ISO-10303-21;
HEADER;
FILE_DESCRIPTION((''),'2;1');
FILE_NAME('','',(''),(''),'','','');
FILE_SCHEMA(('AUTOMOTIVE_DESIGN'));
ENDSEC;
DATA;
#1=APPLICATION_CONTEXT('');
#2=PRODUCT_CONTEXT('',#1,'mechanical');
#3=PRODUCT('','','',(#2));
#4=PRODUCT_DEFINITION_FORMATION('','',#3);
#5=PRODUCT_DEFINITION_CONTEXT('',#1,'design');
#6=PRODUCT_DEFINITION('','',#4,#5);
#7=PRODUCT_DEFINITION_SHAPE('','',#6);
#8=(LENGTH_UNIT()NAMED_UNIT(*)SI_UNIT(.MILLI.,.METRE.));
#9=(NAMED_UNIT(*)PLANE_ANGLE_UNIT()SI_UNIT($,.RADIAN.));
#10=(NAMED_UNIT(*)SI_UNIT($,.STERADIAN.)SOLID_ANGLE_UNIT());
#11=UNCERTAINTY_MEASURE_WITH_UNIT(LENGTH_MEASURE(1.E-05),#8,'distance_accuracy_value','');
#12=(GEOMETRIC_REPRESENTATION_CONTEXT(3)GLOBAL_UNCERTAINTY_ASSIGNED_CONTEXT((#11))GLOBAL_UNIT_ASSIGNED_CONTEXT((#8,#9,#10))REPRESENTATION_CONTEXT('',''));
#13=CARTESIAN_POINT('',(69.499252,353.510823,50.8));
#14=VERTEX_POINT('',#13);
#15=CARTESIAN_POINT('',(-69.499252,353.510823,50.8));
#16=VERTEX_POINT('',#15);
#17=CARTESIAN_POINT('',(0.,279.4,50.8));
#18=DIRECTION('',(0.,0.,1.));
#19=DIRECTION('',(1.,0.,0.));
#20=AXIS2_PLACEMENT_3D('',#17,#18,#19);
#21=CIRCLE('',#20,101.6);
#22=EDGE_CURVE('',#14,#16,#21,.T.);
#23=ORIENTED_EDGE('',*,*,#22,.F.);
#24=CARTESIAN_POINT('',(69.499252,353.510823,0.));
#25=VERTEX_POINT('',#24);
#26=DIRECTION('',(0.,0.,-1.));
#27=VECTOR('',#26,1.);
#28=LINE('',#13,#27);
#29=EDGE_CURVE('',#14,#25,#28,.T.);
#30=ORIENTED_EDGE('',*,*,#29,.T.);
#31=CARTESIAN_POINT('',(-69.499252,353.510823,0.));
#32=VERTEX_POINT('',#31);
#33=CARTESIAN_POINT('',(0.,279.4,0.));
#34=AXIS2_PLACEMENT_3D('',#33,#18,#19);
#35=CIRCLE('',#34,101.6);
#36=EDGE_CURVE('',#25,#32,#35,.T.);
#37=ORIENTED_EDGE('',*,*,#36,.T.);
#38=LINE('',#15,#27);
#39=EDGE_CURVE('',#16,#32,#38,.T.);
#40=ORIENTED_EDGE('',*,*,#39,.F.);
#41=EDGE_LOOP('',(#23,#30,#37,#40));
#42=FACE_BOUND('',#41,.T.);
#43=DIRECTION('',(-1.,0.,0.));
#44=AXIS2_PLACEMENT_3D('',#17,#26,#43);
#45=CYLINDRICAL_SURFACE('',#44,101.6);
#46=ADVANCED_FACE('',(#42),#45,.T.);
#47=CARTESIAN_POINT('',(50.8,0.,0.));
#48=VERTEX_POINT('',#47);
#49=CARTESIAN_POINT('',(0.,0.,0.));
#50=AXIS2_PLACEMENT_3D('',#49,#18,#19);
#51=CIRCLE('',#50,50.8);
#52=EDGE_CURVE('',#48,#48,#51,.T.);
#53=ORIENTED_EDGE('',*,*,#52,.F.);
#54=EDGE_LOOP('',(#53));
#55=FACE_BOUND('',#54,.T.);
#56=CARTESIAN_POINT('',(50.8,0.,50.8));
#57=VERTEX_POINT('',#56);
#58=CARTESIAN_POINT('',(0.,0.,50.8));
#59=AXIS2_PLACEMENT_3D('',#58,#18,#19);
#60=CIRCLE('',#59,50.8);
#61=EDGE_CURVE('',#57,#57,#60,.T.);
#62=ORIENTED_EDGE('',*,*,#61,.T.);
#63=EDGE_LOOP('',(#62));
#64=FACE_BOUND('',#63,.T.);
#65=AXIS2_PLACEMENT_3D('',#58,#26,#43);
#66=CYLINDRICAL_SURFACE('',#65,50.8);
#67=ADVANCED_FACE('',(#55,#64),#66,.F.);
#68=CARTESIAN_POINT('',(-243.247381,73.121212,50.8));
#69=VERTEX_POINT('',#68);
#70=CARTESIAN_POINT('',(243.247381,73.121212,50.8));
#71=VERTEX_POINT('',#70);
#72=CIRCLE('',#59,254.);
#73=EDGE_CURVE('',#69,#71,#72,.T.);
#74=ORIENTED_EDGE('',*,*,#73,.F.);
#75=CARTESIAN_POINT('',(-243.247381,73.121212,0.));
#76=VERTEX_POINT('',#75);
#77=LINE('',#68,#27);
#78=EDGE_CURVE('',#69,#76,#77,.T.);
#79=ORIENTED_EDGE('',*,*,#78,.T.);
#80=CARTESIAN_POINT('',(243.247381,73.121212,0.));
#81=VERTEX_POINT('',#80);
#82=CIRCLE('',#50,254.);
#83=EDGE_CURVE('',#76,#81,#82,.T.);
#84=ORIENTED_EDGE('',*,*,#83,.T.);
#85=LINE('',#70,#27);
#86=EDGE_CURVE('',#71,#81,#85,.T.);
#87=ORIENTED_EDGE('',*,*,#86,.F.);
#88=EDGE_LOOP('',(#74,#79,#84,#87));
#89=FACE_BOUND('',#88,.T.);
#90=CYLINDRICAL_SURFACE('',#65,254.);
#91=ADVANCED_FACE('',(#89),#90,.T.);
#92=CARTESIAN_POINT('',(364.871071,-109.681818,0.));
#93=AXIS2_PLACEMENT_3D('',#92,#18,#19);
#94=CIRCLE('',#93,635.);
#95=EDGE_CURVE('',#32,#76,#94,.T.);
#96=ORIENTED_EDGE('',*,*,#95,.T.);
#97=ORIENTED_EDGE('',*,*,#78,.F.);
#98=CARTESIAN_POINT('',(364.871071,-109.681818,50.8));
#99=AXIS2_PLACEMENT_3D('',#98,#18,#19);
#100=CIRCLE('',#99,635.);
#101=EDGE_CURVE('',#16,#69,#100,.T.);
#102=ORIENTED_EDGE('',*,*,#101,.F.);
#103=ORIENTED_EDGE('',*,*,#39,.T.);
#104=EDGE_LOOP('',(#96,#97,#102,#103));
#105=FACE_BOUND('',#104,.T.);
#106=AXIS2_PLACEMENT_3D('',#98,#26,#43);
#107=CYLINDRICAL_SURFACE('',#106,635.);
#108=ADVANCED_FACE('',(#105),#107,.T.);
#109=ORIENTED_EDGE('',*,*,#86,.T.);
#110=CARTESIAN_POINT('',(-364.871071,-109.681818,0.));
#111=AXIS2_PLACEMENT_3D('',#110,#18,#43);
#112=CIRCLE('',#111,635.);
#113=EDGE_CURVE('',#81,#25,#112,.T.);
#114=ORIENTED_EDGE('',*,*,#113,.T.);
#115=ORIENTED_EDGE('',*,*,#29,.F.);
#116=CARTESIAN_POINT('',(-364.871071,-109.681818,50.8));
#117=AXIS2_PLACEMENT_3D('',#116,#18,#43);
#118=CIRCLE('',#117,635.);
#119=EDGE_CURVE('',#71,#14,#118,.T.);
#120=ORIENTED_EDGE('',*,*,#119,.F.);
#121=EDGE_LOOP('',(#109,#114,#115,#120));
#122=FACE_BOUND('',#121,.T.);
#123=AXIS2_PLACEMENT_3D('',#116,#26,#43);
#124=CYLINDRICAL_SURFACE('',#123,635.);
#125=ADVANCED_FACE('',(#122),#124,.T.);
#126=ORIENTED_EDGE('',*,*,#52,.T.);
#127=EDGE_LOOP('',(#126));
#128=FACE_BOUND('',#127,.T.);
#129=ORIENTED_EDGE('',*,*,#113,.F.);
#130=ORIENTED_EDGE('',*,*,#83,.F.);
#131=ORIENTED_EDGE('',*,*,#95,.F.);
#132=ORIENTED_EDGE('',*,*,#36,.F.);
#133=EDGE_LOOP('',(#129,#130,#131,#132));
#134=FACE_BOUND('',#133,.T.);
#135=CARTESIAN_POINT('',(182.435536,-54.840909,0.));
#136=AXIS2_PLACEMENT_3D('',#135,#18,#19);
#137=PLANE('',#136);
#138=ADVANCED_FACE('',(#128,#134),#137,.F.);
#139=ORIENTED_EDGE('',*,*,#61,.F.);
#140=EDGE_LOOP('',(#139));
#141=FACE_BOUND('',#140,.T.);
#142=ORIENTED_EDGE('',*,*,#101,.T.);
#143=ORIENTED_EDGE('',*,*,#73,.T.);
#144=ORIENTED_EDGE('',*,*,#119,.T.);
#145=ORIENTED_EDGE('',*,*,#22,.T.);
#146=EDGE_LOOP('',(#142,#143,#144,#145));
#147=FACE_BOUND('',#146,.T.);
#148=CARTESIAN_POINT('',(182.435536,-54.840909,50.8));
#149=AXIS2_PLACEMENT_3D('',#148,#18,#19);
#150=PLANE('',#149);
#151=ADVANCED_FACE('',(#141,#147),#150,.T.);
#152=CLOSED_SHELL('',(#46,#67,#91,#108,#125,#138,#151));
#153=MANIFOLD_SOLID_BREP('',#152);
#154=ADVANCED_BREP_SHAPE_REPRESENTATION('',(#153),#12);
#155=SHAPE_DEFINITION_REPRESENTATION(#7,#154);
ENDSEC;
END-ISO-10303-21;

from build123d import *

# Parameters (mm, degrees)
SKETCH1_R           = 50.8
BOSS_EXTRUDE1_DEPTH = 50.8


with BuildPart() as part:
    # Sketch1 → Boss-Extrude1 (new body)
    with BuildSketch(Plane.XY):
        with BuildLine():
            ThreePointArc((-243.247380948, 73.121212121), (0, -254), (243.247380948, 73.121212121))
            ThreePointArc((243.247380948, 73.121212121), (174.897670874, 224.794944599), (69.499251699, 353.510822511))
            ThreePointArc((69.499251699, 353.510822511), (0, 381), (-69.499251699, 353.510822511))
            ThreePointArc((-69.499251699, 353.510822511), (-174.897670874, 224.794944599), (-243.247380948, 73.121212121))
        make_face()
        Circle(SKETCH1_R, mode=Mode.SUBTRACT)
    extrude(amount=BOSS_EXTRUDE1_DEPTH)


solid = part.part
